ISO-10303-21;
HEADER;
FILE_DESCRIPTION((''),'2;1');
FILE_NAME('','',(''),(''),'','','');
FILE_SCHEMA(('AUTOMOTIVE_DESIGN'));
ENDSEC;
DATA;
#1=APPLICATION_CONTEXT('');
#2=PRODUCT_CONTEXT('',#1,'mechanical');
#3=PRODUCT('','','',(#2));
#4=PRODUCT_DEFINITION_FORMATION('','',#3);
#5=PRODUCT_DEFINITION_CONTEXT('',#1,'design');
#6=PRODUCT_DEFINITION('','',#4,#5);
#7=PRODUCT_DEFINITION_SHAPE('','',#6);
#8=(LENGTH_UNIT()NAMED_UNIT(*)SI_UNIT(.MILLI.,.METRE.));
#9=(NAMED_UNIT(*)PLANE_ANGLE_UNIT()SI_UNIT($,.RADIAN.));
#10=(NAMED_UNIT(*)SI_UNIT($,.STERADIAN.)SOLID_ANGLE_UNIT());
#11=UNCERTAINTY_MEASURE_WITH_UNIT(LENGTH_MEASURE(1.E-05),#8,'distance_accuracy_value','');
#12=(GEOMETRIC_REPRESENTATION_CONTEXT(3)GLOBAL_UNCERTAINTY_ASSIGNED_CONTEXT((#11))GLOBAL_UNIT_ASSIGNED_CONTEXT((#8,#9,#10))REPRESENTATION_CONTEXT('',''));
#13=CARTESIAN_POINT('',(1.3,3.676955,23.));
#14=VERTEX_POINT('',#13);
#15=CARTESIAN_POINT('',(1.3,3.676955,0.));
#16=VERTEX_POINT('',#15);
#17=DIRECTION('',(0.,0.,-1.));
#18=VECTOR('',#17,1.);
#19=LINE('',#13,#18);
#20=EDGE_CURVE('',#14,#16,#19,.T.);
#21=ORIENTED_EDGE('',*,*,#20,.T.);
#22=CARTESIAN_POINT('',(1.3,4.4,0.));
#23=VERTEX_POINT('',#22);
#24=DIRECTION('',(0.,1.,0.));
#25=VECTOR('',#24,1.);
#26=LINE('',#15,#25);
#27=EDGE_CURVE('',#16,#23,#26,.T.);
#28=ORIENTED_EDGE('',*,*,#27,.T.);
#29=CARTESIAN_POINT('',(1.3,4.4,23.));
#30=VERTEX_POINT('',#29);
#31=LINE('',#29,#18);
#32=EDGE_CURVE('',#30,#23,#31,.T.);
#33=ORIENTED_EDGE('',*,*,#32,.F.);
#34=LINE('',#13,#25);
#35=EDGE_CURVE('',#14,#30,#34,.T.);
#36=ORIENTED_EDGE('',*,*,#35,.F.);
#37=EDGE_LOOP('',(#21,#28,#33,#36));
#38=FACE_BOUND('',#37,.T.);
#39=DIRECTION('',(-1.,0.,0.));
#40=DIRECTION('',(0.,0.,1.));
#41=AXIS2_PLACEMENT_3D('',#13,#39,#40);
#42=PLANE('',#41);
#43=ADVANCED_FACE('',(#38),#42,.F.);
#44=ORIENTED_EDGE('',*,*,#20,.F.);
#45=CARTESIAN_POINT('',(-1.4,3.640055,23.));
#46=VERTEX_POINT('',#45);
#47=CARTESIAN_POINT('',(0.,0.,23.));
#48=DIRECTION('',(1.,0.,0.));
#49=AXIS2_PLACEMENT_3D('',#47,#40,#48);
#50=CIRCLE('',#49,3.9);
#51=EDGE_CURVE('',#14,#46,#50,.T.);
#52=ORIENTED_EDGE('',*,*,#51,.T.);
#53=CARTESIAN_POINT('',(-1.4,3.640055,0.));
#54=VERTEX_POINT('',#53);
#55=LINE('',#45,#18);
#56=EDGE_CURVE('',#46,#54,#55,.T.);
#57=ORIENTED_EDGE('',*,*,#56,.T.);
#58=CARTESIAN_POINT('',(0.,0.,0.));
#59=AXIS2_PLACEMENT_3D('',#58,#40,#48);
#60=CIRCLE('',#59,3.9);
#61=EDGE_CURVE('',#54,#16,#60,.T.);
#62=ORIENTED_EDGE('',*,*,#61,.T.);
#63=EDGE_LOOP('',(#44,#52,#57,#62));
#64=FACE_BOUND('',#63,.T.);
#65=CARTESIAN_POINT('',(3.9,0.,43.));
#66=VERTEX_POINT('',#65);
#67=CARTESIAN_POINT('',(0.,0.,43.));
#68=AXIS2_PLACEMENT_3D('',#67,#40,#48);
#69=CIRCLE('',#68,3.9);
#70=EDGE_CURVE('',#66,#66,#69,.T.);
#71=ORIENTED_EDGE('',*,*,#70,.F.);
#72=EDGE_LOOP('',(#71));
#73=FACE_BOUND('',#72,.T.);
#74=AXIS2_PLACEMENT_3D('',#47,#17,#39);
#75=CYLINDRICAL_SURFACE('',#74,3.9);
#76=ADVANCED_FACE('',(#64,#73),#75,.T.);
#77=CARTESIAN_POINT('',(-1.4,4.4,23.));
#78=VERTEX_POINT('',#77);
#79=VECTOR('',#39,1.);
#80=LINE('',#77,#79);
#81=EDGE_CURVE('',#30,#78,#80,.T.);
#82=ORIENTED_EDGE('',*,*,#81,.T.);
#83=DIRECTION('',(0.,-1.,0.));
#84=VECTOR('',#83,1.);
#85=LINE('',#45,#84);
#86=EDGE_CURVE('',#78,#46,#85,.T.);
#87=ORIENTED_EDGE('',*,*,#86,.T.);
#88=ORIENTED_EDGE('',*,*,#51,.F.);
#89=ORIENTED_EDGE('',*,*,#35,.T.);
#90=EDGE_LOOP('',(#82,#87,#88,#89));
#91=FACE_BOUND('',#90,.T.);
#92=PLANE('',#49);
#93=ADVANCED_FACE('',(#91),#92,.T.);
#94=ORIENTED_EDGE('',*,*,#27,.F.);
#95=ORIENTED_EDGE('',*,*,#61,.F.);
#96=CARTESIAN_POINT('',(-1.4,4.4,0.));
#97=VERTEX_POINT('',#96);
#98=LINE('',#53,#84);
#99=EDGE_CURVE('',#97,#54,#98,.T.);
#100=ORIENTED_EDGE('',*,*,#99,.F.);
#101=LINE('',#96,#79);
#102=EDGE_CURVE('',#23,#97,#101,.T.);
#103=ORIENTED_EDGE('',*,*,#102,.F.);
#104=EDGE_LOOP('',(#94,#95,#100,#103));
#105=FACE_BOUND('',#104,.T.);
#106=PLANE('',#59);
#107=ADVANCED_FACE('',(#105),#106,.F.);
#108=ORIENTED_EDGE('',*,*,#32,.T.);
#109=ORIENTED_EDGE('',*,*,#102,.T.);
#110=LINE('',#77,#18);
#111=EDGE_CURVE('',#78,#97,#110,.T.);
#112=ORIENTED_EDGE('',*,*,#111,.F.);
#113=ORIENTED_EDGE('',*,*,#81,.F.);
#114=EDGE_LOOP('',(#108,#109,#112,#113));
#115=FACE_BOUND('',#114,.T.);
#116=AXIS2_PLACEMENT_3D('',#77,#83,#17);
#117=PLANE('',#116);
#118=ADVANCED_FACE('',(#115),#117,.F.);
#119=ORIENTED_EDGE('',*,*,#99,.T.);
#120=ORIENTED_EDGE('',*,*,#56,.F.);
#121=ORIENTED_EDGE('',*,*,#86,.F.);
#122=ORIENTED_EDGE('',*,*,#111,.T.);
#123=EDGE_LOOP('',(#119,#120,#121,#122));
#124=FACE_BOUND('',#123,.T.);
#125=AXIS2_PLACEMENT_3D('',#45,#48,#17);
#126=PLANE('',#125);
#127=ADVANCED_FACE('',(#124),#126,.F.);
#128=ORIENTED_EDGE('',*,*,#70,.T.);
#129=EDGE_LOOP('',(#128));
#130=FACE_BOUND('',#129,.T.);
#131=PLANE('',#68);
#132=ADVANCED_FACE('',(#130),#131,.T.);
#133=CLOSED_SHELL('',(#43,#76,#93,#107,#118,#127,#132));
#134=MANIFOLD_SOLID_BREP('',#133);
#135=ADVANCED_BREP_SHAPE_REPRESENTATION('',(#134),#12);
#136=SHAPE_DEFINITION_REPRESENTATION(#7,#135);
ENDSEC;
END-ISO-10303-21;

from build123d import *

# Parameters (mm, degrees)
EXTRUDE_1_DEPTH = 23
SKETCH_2_R      = 3.9
EXTRUDE_2_DEPTH = 20


with BuildPart() as part:
    # 草图1 → 凸台-拉伸1 (new body)
    with BuildSketch(Plane.XY):
        with BuildLine():
            Line((-1.4, 3.640054945), (-1.4, 4.4))
            Line((-1.4, 4.4), (1.3, 4.4))
            Line((1.3, 4.4), (1.3, 3.676955262))
            ThreePointArc((1.3, 3.676955262), (0.053295482, -3.899635828), (-1.4, 3.640054945))
        make_face()
    extrude(amount=EXTRUDE_1_DEPTH)

    # 草图2 → 凸台-拉伸2 (add)
    with BuildSketch(Plane.XY.offset(23)):
        with Locations(Location((0, 0, 0), (0, 0, 111.037221256))):
            Circle(SKETCH_2_R)
    extrude(amount=EXTRUDE_2_DEPTH)


solid = part.part
